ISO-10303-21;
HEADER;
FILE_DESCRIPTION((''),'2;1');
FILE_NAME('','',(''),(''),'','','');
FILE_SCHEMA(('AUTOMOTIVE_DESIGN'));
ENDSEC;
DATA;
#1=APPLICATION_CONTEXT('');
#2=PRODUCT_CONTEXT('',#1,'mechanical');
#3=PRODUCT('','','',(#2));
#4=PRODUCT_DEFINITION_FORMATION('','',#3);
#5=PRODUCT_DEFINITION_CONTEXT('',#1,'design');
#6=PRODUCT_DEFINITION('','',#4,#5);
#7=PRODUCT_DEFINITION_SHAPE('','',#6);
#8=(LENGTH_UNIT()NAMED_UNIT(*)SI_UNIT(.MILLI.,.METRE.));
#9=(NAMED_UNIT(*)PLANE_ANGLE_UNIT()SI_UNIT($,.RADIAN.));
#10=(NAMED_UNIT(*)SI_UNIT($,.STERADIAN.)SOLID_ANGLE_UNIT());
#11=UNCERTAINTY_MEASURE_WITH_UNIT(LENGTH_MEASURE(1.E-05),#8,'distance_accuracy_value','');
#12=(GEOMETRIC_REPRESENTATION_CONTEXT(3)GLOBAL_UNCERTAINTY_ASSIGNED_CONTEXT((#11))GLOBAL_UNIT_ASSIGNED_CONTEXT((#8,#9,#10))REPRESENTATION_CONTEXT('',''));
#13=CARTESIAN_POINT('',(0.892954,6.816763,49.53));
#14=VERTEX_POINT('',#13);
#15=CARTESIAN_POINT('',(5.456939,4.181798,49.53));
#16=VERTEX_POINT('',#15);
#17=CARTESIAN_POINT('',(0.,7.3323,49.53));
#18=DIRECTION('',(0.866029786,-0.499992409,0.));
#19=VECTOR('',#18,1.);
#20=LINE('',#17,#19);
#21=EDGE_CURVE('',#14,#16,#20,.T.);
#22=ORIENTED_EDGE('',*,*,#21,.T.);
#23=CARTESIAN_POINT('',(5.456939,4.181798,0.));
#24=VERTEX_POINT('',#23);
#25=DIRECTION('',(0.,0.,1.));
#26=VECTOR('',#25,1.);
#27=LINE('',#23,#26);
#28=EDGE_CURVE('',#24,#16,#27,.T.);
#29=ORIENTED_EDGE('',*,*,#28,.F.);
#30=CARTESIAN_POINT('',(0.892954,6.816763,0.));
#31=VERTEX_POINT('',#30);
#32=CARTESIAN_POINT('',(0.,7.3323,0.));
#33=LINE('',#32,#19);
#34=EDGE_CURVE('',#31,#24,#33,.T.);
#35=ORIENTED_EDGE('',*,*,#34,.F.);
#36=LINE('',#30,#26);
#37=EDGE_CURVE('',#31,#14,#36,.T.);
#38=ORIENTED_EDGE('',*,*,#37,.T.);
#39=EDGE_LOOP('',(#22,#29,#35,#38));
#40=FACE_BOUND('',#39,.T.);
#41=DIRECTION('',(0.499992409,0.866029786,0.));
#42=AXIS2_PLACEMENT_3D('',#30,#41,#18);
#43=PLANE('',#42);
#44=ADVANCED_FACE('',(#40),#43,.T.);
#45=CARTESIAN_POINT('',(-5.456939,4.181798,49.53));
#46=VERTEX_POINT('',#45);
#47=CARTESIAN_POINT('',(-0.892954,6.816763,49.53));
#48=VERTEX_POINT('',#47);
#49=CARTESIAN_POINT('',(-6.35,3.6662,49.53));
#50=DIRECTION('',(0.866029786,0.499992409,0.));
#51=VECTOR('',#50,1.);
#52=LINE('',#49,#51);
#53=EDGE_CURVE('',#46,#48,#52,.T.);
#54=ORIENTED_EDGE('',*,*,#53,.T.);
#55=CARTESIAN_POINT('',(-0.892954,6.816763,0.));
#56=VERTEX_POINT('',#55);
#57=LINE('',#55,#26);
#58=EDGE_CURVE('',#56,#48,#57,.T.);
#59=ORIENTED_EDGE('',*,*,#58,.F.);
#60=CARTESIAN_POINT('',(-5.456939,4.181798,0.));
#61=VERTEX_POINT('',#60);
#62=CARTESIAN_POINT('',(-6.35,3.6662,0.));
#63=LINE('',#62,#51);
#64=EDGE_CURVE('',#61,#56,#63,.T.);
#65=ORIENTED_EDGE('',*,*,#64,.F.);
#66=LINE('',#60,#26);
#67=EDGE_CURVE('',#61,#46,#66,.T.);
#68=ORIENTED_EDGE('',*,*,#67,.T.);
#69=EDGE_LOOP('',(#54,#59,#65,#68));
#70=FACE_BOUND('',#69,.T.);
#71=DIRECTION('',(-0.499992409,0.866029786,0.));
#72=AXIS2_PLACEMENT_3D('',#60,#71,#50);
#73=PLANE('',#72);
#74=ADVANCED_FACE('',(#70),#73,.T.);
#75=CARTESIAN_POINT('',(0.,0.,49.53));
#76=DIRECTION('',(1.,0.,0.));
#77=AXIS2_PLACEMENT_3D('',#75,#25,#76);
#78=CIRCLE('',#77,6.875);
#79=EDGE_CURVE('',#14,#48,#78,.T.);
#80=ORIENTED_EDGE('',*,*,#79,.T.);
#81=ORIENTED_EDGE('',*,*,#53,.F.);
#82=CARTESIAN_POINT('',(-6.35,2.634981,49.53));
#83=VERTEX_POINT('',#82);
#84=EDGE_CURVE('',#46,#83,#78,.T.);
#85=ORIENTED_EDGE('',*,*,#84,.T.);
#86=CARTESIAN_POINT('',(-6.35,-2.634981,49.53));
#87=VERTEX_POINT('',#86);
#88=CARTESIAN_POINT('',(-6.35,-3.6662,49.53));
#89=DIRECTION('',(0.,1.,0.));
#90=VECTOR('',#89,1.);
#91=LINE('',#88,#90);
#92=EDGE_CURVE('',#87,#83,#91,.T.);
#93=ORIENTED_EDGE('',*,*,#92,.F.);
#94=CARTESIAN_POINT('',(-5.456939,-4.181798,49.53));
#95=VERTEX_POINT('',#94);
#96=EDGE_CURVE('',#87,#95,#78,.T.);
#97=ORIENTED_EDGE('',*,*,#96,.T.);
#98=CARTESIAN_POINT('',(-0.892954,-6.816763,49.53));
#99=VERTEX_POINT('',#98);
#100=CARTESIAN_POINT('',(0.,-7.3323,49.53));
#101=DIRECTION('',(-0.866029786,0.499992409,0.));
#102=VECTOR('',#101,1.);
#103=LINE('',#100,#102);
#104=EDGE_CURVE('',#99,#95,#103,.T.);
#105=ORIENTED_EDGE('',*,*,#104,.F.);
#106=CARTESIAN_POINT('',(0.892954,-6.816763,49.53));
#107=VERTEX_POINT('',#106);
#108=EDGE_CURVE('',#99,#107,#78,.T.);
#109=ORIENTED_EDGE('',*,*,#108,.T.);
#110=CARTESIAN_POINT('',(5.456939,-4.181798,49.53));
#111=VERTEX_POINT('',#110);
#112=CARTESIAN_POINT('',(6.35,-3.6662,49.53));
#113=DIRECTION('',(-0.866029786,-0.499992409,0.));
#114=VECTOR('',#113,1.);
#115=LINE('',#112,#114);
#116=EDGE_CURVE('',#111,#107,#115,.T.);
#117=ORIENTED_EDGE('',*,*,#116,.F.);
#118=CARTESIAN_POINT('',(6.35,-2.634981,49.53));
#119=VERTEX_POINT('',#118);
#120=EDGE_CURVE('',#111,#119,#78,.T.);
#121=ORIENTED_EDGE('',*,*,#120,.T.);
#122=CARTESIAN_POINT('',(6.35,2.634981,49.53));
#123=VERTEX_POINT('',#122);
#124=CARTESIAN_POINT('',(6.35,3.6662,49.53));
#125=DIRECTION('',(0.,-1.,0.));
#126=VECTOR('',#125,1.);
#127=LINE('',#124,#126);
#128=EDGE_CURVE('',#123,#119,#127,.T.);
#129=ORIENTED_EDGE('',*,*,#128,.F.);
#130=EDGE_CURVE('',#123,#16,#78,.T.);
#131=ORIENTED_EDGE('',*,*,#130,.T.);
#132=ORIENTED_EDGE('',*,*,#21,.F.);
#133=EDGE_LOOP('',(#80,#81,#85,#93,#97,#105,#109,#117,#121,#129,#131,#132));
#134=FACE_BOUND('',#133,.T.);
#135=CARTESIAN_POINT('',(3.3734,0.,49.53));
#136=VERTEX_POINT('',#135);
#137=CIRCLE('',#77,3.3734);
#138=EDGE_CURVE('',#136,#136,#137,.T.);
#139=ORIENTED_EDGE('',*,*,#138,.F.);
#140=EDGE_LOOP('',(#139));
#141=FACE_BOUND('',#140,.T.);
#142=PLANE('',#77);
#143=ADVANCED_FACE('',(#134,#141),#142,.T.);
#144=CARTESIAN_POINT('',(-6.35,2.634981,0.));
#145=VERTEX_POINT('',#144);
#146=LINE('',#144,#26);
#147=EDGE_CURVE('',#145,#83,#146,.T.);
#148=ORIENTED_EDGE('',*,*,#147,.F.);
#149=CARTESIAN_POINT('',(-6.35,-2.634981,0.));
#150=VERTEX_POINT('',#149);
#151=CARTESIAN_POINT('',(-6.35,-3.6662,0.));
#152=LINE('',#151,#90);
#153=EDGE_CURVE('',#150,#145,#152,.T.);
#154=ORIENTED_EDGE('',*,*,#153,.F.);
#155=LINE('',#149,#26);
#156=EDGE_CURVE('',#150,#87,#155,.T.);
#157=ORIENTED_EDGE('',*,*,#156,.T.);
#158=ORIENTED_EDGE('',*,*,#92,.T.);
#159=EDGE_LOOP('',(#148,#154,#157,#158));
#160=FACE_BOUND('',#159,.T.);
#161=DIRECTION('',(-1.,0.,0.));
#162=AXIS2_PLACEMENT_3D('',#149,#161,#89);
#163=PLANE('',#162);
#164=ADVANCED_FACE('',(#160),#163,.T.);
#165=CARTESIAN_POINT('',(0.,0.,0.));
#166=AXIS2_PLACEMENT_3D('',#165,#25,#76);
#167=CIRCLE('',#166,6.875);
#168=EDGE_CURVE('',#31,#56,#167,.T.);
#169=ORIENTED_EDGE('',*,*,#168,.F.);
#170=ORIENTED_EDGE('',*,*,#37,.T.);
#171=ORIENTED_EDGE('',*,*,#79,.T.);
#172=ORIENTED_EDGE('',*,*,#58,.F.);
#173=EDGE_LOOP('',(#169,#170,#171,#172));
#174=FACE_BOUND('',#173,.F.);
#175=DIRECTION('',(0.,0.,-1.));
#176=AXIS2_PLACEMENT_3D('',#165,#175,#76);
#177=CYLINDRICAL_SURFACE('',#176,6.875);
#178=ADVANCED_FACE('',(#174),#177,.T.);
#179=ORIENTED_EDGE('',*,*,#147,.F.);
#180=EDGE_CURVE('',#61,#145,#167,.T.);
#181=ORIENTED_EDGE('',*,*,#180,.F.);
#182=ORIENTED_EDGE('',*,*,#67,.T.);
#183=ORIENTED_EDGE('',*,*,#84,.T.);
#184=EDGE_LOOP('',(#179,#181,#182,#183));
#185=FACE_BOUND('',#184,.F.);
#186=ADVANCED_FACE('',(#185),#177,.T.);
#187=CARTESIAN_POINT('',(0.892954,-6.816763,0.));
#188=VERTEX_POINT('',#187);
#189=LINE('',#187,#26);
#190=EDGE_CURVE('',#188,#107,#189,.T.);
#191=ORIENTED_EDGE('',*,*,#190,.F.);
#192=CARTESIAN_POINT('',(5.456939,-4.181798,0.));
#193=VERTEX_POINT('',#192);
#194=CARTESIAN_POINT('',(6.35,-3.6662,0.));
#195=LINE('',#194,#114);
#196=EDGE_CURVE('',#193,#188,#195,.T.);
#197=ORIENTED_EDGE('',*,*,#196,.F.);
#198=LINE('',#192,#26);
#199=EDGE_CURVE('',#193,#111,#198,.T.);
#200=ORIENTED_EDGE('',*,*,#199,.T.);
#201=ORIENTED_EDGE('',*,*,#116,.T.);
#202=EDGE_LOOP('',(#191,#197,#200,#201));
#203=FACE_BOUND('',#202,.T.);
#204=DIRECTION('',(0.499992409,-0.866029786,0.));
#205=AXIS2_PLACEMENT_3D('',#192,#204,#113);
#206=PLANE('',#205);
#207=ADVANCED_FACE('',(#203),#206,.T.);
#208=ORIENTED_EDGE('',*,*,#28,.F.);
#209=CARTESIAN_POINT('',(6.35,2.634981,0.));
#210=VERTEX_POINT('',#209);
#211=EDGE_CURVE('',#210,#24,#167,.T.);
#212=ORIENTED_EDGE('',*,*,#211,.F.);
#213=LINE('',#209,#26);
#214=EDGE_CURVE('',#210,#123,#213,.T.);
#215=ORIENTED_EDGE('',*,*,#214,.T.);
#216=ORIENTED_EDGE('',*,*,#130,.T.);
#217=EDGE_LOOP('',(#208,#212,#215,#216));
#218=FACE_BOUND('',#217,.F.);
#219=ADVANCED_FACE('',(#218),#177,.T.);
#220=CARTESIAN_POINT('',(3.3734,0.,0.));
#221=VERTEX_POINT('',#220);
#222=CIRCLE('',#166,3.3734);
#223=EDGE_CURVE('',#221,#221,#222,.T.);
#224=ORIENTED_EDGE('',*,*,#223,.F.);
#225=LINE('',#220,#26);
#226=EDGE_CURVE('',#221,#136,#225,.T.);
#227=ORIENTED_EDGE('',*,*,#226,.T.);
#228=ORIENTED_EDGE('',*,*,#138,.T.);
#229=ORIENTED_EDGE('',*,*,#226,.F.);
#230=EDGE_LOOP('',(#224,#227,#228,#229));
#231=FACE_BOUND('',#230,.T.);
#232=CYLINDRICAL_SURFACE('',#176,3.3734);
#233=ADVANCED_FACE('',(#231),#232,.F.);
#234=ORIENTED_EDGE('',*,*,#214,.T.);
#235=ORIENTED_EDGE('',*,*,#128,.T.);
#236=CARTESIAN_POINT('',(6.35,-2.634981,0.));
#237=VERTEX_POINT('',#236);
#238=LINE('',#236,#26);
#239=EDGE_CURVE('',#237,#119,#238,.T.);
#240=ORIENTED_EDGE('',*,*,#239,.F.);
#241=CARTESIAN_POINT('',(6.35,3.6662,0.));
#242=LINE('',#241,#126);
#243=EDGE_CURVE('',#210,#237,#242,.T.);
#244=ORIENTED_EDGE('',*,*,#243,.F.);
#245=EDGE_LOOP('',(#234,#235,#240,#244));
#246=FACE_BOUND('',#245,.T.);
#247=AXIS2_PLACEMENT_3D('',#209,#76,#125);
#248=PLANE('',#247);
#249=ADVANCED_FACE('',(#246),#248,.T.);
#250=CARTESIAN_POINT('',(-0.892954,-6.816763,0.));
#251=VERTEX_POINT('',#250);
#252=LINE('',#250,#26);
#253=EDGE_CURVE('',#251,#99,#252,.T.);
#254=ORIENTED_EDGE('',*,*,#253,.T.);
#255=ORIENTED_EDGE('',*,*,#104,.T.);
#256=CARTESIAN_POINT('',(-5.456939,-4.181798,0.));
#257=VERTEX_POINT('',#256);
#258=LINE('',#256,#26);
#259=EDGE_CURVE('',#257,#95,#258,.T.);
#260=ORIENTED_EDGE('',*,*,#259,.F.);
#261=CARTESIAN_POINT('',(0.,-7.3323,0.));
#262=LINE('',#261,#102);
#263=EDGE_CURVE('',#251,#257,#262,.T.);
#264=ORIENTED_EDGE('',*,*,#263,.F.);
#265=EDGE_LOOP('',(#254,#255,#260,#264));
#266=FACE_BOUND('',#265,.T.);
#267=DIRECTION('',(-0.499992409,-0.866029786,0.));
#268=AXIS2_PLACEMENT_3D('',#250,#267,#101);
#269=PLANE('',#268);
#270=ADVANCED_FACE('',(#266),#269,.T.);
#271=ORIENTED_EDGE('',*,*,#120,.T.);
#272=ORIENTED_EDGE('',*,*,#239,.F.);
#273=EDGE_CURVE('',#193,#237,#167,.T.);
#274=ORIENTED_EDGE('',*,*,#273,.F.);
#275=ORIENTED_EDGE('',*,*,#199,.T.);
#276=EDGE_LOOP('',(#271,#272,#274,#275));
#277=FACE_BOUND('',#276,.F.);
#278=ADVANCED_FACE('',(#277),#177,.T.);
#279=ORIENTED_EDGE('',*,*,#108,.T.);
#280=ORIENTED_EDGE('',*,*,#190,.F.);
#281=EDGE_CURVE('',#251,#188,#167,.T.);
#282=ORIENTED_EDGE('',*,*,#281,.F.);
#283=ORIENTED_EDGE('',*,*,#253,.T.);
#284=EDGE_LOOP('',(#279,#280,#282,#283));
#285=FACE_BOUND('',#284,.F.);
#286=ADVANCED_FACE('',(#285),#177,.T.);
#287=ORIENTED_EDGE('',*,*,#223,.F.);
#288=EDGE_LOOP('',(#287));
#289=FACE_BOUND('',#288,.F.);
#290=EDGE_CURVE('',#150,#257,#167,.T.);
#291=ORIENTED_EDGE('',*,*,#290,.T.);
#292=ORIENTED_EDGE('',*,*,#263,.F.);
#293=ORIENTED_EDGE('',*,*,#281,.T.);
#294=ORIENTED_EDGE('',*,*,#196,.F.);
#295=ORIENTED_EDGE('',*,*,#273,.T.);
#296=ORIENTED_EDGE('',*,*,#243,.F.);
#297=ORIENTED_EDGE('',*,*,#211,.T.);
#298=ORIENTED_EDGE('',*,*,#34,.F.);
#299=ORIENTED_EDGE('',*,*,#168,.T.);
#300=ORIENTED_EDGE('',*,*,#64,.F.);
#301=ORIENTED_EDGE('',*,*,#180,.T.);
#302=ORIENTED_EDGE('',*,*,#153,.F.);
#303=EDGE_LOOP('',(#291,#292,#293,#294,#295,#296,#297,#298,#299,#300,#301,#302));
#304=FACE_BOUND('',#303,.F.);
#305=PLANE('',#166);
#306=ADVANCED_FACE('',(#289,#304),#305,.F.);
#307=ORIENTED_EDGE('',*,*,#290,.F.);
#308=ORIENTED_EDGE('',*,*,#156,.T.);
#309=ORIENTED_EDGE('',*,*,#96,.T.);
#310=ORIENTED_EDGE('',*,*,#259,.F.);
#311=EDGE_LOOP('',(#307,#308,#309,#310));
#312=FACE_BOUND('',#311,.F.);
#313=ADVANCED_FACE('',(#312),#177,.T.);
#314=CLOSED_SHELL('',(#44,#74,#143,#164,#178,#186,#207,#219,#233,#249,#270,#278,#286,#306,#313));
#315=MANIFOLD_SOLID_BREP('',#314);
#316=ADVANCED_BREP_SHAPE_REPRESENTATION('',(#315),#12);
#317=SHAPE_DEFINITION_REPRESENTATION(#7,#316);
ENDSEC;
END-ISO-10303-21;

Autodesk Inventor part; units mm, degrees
ref_plane "YZ Plane" through (0, 0, 0) normal (1, 0, 0) x (0, 1, 0)
ref_plane "XZ Plane" through (0, 0, 0) normal (0, 1, 0) x (-1, 0, 0)
ref_plane "XY Plane" through (0, 0, 0) normal (0, 0, 1) x (1, 0, 0)
sketch "Sketch1" plane through (0, 0, 0) normal (0, 0, 1) x (1, 0, 0)
  line L0 (0, 7.3323) -> (6.35, 3.6662)
  line L1 (6.35, 3.6662) -> (6.35, -3.6662)
  line L2 (6.35, -3.6662) -> (0, -7.3323)
  line L3 (0, -7.3323) -> (-6.35, -3.6662)
  line L4 (-6.35, -3.6662) -> (-6.35, 3.6662)
  line L5 (-6.35, 3.6662) -> (0, 7.3323)
  circle A0 centre (0, 0) radius 6.875
  circle A1 centre (0, 0) radius 3.3734
  point P0 (-5.457, 4.1818)
  point P1 (-6.35, 2.635)
  point P2 (-6.35, -2.635)
  point P3 (-5.457, -4.1818)
  point P4 (-0.893, -6.8168)
  point P5 (0.893, -6.8168)
  point P6 (5.457, -4.1818)
  point P7 (6.35, -2.635)
  point P8 (6.35, 2.635)
  point P9 (5.457, 4.1818)
  point P10 (0.893, 6.8168)
  point P11 (-0.893, 6.8168)
  dimension "d0" = 12.7
  dimension "d1" = 13.75
  dimension "d2" = 6.7469
extrude "Extrusion1" add sketch "Sketch1" along normal blind 49.53 contours L0 A0 L1 L2 L3 L4 L5
properties part number "DriveShaft" material "Aluminum 6061"
